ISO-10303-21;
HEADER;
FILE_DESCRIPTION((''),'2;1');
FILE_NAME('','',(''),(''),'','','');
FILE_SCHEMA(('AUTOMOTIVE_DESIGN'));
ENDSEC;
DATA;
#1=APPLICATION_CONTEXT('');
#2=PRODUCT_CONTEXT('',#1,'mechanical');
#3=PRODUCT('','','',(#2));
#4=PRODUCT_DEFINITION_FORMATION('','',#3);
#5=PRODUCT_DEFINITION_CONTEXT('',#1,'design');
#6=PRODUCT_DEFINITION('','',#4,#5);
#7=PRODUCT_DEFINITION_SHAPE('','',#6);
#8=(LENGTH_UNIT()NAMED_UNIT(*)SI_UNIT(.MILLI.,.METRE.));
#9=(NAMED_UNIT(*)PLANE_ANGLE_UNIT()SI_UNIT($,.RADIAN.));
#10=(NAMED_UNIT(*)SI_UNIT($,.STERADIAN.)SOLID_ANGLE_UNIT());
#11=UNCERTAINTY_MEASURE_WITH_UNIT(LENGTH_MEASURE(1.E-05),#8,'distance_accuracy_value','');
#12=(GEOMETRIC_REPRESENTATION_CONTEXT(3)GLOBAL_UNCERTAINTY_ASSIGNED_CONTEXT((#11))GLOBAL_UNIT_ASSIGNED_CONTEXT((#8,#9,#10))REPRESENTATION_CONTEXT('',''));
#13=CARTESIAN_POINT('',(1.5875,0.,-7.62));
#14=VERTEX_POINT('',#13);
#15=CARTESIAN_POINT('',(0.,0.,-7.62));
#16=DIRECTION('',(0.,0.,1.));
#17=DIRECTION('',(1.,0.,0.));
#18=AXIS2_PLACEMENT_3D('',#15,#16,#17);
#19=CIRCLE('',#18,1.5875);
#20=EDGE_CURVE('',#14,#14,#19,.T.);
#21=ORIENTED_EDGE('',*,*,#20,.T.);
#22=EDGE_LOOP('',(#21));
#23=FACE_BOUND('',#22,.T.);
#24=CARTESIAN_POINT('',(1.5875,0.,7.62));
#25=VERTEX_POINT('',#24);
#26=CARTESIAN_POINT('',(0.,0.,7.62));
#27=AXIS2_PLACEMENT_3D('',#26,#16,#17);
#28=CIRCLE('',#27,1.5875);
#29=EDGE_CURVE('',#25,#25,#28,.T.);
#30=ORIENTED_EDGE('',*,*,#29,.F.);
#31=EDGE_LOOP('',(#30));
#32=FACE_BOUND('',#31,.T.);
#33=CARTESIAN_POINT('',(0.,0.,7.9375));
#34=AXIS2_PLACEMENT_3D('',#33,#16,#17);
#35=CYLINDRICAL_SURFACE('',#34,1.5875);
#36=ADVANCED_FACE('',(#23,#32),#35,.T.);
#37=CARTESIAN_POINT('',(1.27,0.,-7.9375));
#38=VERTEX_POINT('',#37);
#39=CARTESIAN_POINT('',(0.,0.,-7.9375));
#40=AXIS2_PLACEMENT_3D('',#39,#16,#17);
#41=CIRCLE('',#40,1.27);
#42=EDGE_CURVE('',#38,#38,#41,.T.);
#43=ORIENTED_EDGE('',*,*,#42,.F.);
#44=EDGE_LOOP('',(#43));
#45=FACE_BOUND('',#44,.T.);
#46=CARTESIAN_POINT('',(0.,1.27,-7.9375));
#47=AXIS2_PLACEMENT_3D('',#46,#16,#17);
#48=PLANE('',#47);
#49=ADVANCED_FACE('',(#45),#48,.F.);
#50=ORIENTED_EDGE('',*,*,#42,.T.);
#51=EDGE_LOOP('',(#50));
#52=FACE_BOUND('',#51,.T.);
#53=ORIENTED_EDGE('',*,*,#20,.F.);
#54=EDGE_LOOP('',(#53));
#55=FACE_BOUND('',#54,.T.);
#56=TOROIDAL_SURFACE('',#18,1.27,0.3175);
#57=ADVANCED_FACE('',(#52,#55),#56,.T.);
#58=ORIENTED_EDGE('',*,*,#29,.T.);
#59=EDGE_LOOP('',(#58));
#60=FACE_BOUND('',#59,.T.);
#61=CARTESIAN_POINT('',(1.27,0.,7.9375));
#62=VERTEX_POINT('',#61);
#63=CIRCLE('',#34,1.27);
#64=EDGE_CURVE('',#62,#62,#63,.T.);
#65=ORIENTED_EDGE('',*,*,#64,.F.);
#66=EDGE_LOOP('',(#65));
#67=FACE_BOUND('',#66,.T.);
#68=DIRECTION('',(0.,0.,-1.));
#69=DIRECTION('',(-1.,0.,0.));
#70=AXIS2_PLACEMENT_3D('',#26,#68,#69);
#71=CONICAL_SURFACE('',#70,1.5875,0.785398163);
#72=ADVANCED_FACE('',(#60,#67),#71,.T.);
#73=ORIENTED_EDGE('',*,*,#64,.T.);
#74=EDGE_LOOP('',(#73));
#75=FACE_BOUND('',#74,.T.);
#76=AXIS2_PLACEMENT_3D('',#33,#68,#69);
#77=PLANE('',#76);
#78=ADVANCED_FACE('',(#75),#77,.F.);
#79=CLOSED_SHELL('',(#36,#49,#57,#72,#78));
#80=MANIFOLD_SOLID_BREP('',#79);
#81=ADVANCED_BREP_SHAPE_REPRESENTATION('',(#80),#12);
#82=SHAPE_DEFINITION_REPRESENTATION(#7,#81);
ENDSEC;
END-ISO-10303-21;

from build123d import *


with BuildPart() as part:
    # Sketch2 → Revolve1 (revolve)
    with BuildSketch(Plane(origin=(0, 0, 0), x_dir=(0, 0, -1), z_dir=(1, 0, 0)), mode=Mode.PRIVATE) as revolve1_sk:
        with BuildLine():
            Line((7.9375, 1.27), (7.9375, 0))
            Line((7.9375, 0), (-7.9375, 0))
            Line((-7.9375, 0), (-7.9375, 1.27))
            Line((-7.9375, 1.27), (-7.62, 1.5875))
            Line((-7.62, 1.5875), (7.62, 1.5875))
            ThreePointArc((7.62, 1.5875), (7.844506403, 1.494506403), (7.9375, 1.27))
        make_face()
    revolve(revolve1_sk.sketch.rotate(Axis((0, 0, 7.9375), (0, 0, -1)), 90), axis=Axis((0, 0, 7.9375), (0, 0, -1)))


solid = part.part
